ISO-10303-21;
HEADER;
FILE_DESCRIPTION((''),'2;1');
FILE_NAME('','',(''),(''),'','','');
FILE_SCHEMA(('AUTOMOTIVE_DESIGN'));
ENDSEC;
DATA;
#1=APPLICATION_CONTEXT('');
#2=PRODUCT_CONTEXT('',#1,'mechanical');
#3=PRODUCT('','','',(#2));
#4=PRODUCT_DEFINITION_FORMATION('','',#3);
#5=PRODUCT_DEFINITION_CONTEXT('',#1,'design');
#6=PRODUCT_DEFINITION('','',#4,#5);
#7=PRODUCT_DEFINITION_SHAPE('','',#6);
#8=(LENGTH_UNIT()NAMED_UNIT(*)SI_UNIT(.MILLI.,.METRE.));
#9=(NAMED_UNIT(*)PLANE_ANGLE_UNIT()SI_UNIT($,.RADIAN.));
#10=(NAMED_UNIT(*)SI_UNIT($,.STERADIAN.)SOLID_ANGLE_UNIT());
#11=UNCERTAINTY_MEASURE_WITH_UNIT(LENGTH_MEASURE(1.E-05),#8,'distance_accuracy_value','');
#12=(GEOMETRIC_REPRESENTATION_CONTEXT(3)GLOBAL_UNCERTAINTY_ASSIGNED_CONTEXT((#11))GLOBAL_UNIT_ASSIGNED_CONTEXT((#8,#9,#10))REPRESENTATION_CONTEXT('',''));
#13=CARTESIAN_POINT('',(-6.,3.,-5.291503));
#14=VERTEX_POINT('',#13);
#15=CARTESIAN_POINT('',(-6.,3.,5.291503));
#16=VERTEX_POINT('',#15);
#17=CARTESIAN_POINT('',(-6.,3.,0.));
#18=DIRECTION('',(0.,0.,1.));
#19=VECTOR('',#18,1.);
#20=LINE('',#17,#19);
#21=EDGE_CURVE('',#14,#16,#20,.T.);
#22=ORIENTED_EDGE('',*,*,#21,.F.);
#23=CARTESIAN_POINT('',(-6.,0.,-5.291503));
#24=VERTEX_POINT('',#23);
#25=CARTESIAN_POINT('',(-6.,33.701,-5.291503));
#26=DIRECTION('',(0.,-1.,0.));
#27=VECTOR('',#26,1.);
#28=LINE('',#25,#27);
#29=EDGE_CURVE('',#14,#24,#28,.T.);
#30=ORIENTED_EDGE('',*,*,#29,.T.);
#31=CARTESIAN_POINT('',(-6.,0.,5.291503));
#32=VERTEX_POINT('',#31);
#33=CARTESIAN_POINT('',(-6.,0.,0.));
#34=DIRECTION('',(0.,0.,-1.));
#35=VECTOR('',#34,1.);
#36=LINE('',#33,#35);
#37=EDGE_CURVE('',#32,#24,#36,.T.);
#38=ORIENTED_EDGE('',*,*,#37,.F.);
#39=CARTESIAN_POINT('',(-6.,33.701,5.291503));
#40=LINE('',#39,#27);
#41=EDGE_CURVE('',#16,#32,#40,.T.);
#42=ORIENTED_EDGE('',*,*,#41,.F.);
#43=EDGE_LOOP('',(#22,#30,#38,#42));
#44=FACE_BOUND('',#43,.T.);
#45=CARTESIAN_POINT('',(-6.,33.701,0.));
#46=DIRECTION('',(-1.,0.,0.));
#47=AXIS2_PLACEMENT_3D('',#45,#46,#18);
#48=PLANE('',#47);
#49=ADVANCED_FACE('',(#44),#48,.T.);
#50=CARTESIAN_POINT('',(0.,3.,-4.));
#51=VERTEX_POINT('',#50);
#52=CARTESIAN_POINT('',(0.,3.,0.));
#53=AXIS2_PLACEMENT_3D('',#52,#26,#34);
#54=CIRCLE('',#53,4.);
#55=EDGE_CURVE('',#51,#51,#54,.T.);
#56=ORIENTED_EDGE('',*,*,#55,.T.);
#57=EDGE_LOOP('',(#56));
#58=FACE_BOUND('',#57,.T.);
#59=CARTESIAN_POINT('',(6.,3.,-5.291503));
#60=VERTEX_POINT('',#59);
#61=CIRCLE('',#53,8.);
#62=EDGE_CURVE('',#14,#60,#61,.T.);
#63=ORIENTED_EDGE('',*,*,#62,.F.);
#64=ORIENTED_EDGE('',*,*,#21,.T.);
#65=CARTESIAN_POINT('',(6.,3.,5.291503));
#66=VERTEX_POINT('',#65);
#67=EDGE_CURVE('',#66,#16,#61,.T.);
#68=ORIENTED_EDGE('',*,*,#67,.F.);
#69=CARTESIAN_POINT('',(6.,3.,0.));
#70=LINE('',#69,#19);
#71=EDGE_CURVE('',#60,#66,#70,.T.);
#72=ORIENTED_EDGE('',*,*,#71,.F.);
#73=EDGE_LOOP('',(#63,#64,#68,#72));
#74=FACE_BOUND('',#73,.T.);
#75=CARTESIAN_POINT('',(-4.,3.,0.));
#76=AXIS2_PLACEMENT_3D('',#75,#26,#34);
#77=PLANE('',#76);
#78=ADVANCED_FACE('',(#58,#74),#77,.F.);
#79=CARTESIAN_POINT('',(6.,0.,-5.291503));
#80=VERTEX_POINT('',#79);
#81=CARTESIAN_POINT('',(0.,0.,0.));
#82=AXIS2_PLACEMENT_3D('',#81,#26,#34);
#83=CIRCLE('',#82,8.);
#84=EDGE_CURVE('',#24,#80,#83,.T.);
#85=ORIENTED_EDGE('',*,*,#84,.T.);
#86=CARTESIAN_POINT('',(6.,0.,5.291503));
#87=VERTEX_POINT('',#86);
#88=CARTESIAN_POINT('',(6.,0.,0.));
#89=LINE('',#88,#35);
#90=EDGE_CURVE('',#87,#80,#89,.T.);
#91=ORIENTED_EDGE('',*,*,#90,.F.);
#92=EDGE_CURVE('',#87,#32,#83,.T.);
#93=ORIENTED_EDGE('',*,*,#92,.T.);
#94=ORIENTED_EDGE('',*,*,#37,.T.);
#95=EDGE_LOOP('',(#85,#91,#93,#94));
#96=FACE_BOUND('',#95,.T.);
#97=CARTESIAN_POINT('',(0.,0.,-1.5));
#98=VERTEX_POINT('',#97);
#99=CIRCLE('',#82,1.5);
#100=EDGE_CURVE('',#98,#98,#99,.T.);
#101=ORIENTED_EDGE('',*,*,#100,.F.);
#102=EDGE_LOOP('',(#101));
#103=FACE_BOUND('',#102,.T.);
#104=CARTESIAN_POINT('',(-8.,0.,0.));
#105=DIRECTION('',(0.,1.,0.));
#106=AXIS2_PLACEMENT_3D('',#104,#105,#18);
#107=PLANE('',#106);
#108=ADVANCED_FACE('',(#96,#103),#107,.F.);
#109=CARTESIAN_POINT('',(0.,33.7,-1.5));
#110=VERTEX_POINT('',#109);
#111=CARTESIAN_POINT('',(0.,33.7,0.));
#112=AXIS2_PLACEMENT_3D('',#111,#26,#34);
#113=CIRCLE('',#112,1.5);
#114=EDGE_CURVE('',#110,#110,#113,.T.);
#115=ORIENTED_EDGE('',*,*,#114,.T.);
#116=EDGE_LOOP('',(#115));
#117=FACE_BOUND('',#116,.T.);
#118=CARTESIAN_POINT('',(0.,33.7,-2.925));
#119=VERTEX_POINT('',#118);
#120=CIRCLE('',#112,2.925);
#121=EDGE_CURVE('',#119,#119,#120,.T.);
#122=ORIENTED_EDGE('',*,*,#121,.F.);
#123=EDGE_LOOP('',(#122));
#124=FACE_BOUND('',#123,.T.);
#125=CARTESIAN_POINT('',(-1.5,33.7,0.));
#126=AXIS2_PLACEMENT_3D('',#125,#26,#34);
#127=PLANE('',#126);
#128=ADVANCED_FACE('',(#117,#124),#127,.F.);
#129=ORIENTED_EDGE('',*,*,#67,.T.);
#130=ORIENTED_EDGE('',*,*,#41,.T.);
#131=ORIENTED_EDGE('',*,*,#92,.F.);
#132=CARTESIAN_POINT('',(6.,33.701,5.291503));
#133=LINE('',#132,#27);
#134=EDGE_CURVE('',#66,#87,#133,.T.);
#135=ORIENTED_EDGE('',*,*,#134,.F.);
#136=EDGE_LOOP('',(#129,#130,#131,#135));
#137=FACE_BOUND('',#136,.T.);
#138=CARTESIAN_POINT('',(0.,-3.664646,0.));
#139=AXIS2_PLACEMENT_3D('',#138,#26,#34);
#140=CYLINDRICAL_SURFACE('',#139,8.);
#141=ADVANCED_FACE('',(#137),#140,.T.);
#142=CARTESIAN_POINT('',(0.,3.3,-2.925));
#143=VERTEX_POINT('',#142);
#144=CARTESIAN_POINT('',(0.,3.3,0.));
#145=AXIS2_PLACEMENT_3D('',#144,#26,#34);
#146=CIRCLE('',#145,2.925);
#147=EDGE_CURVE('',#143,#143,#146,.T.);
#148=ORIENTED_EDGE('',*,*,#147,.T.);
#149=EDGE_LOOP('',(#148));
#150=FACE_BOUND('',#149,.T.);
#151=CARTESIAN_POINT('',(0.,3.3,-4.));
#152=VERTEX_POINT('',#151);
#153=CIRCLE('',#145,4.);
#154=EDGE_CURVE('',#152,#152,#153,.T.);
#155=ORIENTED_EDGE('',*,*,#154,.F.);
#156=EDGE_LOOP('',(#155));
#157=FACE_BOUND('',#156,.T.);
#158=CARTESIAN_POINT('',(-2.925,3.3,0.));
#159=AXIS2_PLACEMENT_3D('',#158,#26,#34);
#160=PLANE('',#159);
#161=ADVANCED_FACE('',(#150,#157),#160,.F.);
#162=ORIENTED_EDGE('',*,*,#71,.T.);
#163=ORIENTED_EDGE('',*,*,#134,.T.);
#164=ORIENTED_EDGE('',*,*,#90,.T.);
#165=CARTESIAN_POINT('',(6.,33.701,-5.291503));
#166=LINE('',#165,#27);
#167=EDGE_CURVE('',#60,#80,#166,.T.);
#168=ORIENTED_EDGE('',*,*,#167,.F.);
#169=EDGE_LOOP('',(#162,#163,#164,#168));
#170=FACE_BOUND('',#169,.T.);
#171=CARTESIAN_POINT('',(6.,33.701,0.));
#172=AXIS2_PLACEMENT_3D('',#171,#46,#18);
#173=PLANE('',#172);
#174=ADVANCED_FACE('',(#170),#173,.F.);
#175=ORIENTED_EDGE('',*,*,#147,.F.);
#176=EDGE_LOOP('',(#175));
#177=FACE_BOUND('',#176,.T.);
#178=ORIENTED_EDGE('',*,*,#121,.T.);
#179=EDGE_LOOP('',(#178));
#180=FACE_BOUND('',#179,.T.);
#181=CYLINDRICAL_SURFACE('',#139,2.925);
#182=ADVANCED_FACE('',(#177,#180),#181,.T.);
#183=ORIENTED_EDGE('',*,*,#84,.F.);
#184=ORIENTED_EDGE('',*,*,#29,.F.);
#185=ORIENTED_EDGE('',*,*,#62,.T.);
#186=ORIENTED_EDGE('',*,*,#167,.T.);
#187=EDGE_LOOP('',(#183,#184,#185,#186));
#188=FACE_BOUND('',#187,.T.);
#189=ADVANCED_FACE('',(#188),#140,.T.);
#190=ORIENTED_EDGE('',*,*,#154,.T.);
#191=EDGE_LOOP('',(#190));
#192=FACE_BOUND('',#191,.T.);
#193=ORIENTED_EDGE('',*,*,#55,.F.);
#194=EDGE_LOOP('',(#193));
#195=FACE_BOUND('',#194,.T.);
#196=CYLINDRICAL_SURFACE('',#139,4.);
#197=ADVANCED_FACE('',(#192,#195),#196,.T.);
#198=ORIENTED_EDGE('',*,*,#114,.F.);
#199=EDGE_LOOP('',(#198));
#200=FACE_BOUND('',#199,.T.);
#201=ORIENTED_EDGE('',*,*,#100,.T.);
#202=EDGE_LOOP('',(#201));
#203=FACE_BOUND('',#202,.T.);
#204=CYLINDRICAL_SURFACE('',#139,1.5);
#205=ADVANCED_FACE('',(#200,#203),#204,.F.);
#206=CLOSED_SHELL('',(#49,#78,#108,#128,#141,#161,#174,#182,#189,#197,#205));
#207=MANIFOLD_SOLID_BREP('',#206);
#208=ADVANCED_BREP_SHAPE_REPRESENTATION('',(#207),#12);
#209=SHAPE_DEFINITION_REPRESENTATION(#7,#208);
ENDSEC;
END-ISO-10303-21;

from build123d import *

# Parameters (mm, degrees)
ENL_V_MAT_EXTRU_1_REACH = 37.548


with BuildPart() as part:
    # Esquisse1 → Révolution1 (revolve)
    with BuildSketch(Plane.XY, mode=Mode.PRIVATE) as r_volution1_sk:
        Polygon((-1.5, 0), (-1.5, 33.7), (-2.925, 33.7), (-2.925, 3.3), (-4, 3.3), (-4, 3), (-8, 3), (-8, 0), align=None)
    revolve(r_volution1_sk.sketch.rotate(Axis((0, -3.664645975, 0), (0, 1, 0)), 270), axis=Axis((0, -3.664645975, 0), (0, 1, 0)))

    # Esquisse2 → Enlèv. mat.-Extru.1 (cut, up to next)
    with BuildSketch(Plane.XZ, mode=Mode.PRIVATE) as enl_v_mat_extru_1_sk1:
        with BuildLine():
            ThreePointArc((8, 0), (7.483314774, 2.828427125), (6, 5.291502622))
            Line((6, 5.291502622), (6, -5.291502622))
            ThreePointArc((6, -5.291502622), (7.483314774, -2.828427125), (8, 0))
        make_face()
    enl_v_mat_extru_1_tool1 = extrude(enl_v_mat_extru_1_sk1.sketch, amount=-ENL_V_MAT_EXTRU_1_REACH, mode=Mode.PRIVATE) & part.part
    # Esquisse2 → Enlèv. mat.-Extru.1 (cut, up to next)
    with BuildSketch(Plane.XZ, mode=Mode.PRIVATE) as enl_v_mat_extru_1_sk2:
        with BuildLine():
            Line((-6, -5.291502622), (-6, 5.291502622))
            ThreePointArc((-6, 5.291502622), (-8, 0), (-6, -5.291502622))
        make_face()
    enl_v_mat_extru_1_tool2 = extrude(enl_v_mat_extru_1_sk2.sketch, amount=-ENL_V_MAT_EXTRU_1_REACH, mode=Mode.PRIVATE) & part.part
    add(enl_v_mat_extru_1_tool1.solids().sort_by_distance((6.809243, 0, 0))[0], mode=Mode.SUBTRACT)
    add(enl_v_mat_extru_1_tool2.solids().sort_by_distance((-6.809243, 0, 0))[0], mode=Mode.SUBTRACT)


solid = part.part
